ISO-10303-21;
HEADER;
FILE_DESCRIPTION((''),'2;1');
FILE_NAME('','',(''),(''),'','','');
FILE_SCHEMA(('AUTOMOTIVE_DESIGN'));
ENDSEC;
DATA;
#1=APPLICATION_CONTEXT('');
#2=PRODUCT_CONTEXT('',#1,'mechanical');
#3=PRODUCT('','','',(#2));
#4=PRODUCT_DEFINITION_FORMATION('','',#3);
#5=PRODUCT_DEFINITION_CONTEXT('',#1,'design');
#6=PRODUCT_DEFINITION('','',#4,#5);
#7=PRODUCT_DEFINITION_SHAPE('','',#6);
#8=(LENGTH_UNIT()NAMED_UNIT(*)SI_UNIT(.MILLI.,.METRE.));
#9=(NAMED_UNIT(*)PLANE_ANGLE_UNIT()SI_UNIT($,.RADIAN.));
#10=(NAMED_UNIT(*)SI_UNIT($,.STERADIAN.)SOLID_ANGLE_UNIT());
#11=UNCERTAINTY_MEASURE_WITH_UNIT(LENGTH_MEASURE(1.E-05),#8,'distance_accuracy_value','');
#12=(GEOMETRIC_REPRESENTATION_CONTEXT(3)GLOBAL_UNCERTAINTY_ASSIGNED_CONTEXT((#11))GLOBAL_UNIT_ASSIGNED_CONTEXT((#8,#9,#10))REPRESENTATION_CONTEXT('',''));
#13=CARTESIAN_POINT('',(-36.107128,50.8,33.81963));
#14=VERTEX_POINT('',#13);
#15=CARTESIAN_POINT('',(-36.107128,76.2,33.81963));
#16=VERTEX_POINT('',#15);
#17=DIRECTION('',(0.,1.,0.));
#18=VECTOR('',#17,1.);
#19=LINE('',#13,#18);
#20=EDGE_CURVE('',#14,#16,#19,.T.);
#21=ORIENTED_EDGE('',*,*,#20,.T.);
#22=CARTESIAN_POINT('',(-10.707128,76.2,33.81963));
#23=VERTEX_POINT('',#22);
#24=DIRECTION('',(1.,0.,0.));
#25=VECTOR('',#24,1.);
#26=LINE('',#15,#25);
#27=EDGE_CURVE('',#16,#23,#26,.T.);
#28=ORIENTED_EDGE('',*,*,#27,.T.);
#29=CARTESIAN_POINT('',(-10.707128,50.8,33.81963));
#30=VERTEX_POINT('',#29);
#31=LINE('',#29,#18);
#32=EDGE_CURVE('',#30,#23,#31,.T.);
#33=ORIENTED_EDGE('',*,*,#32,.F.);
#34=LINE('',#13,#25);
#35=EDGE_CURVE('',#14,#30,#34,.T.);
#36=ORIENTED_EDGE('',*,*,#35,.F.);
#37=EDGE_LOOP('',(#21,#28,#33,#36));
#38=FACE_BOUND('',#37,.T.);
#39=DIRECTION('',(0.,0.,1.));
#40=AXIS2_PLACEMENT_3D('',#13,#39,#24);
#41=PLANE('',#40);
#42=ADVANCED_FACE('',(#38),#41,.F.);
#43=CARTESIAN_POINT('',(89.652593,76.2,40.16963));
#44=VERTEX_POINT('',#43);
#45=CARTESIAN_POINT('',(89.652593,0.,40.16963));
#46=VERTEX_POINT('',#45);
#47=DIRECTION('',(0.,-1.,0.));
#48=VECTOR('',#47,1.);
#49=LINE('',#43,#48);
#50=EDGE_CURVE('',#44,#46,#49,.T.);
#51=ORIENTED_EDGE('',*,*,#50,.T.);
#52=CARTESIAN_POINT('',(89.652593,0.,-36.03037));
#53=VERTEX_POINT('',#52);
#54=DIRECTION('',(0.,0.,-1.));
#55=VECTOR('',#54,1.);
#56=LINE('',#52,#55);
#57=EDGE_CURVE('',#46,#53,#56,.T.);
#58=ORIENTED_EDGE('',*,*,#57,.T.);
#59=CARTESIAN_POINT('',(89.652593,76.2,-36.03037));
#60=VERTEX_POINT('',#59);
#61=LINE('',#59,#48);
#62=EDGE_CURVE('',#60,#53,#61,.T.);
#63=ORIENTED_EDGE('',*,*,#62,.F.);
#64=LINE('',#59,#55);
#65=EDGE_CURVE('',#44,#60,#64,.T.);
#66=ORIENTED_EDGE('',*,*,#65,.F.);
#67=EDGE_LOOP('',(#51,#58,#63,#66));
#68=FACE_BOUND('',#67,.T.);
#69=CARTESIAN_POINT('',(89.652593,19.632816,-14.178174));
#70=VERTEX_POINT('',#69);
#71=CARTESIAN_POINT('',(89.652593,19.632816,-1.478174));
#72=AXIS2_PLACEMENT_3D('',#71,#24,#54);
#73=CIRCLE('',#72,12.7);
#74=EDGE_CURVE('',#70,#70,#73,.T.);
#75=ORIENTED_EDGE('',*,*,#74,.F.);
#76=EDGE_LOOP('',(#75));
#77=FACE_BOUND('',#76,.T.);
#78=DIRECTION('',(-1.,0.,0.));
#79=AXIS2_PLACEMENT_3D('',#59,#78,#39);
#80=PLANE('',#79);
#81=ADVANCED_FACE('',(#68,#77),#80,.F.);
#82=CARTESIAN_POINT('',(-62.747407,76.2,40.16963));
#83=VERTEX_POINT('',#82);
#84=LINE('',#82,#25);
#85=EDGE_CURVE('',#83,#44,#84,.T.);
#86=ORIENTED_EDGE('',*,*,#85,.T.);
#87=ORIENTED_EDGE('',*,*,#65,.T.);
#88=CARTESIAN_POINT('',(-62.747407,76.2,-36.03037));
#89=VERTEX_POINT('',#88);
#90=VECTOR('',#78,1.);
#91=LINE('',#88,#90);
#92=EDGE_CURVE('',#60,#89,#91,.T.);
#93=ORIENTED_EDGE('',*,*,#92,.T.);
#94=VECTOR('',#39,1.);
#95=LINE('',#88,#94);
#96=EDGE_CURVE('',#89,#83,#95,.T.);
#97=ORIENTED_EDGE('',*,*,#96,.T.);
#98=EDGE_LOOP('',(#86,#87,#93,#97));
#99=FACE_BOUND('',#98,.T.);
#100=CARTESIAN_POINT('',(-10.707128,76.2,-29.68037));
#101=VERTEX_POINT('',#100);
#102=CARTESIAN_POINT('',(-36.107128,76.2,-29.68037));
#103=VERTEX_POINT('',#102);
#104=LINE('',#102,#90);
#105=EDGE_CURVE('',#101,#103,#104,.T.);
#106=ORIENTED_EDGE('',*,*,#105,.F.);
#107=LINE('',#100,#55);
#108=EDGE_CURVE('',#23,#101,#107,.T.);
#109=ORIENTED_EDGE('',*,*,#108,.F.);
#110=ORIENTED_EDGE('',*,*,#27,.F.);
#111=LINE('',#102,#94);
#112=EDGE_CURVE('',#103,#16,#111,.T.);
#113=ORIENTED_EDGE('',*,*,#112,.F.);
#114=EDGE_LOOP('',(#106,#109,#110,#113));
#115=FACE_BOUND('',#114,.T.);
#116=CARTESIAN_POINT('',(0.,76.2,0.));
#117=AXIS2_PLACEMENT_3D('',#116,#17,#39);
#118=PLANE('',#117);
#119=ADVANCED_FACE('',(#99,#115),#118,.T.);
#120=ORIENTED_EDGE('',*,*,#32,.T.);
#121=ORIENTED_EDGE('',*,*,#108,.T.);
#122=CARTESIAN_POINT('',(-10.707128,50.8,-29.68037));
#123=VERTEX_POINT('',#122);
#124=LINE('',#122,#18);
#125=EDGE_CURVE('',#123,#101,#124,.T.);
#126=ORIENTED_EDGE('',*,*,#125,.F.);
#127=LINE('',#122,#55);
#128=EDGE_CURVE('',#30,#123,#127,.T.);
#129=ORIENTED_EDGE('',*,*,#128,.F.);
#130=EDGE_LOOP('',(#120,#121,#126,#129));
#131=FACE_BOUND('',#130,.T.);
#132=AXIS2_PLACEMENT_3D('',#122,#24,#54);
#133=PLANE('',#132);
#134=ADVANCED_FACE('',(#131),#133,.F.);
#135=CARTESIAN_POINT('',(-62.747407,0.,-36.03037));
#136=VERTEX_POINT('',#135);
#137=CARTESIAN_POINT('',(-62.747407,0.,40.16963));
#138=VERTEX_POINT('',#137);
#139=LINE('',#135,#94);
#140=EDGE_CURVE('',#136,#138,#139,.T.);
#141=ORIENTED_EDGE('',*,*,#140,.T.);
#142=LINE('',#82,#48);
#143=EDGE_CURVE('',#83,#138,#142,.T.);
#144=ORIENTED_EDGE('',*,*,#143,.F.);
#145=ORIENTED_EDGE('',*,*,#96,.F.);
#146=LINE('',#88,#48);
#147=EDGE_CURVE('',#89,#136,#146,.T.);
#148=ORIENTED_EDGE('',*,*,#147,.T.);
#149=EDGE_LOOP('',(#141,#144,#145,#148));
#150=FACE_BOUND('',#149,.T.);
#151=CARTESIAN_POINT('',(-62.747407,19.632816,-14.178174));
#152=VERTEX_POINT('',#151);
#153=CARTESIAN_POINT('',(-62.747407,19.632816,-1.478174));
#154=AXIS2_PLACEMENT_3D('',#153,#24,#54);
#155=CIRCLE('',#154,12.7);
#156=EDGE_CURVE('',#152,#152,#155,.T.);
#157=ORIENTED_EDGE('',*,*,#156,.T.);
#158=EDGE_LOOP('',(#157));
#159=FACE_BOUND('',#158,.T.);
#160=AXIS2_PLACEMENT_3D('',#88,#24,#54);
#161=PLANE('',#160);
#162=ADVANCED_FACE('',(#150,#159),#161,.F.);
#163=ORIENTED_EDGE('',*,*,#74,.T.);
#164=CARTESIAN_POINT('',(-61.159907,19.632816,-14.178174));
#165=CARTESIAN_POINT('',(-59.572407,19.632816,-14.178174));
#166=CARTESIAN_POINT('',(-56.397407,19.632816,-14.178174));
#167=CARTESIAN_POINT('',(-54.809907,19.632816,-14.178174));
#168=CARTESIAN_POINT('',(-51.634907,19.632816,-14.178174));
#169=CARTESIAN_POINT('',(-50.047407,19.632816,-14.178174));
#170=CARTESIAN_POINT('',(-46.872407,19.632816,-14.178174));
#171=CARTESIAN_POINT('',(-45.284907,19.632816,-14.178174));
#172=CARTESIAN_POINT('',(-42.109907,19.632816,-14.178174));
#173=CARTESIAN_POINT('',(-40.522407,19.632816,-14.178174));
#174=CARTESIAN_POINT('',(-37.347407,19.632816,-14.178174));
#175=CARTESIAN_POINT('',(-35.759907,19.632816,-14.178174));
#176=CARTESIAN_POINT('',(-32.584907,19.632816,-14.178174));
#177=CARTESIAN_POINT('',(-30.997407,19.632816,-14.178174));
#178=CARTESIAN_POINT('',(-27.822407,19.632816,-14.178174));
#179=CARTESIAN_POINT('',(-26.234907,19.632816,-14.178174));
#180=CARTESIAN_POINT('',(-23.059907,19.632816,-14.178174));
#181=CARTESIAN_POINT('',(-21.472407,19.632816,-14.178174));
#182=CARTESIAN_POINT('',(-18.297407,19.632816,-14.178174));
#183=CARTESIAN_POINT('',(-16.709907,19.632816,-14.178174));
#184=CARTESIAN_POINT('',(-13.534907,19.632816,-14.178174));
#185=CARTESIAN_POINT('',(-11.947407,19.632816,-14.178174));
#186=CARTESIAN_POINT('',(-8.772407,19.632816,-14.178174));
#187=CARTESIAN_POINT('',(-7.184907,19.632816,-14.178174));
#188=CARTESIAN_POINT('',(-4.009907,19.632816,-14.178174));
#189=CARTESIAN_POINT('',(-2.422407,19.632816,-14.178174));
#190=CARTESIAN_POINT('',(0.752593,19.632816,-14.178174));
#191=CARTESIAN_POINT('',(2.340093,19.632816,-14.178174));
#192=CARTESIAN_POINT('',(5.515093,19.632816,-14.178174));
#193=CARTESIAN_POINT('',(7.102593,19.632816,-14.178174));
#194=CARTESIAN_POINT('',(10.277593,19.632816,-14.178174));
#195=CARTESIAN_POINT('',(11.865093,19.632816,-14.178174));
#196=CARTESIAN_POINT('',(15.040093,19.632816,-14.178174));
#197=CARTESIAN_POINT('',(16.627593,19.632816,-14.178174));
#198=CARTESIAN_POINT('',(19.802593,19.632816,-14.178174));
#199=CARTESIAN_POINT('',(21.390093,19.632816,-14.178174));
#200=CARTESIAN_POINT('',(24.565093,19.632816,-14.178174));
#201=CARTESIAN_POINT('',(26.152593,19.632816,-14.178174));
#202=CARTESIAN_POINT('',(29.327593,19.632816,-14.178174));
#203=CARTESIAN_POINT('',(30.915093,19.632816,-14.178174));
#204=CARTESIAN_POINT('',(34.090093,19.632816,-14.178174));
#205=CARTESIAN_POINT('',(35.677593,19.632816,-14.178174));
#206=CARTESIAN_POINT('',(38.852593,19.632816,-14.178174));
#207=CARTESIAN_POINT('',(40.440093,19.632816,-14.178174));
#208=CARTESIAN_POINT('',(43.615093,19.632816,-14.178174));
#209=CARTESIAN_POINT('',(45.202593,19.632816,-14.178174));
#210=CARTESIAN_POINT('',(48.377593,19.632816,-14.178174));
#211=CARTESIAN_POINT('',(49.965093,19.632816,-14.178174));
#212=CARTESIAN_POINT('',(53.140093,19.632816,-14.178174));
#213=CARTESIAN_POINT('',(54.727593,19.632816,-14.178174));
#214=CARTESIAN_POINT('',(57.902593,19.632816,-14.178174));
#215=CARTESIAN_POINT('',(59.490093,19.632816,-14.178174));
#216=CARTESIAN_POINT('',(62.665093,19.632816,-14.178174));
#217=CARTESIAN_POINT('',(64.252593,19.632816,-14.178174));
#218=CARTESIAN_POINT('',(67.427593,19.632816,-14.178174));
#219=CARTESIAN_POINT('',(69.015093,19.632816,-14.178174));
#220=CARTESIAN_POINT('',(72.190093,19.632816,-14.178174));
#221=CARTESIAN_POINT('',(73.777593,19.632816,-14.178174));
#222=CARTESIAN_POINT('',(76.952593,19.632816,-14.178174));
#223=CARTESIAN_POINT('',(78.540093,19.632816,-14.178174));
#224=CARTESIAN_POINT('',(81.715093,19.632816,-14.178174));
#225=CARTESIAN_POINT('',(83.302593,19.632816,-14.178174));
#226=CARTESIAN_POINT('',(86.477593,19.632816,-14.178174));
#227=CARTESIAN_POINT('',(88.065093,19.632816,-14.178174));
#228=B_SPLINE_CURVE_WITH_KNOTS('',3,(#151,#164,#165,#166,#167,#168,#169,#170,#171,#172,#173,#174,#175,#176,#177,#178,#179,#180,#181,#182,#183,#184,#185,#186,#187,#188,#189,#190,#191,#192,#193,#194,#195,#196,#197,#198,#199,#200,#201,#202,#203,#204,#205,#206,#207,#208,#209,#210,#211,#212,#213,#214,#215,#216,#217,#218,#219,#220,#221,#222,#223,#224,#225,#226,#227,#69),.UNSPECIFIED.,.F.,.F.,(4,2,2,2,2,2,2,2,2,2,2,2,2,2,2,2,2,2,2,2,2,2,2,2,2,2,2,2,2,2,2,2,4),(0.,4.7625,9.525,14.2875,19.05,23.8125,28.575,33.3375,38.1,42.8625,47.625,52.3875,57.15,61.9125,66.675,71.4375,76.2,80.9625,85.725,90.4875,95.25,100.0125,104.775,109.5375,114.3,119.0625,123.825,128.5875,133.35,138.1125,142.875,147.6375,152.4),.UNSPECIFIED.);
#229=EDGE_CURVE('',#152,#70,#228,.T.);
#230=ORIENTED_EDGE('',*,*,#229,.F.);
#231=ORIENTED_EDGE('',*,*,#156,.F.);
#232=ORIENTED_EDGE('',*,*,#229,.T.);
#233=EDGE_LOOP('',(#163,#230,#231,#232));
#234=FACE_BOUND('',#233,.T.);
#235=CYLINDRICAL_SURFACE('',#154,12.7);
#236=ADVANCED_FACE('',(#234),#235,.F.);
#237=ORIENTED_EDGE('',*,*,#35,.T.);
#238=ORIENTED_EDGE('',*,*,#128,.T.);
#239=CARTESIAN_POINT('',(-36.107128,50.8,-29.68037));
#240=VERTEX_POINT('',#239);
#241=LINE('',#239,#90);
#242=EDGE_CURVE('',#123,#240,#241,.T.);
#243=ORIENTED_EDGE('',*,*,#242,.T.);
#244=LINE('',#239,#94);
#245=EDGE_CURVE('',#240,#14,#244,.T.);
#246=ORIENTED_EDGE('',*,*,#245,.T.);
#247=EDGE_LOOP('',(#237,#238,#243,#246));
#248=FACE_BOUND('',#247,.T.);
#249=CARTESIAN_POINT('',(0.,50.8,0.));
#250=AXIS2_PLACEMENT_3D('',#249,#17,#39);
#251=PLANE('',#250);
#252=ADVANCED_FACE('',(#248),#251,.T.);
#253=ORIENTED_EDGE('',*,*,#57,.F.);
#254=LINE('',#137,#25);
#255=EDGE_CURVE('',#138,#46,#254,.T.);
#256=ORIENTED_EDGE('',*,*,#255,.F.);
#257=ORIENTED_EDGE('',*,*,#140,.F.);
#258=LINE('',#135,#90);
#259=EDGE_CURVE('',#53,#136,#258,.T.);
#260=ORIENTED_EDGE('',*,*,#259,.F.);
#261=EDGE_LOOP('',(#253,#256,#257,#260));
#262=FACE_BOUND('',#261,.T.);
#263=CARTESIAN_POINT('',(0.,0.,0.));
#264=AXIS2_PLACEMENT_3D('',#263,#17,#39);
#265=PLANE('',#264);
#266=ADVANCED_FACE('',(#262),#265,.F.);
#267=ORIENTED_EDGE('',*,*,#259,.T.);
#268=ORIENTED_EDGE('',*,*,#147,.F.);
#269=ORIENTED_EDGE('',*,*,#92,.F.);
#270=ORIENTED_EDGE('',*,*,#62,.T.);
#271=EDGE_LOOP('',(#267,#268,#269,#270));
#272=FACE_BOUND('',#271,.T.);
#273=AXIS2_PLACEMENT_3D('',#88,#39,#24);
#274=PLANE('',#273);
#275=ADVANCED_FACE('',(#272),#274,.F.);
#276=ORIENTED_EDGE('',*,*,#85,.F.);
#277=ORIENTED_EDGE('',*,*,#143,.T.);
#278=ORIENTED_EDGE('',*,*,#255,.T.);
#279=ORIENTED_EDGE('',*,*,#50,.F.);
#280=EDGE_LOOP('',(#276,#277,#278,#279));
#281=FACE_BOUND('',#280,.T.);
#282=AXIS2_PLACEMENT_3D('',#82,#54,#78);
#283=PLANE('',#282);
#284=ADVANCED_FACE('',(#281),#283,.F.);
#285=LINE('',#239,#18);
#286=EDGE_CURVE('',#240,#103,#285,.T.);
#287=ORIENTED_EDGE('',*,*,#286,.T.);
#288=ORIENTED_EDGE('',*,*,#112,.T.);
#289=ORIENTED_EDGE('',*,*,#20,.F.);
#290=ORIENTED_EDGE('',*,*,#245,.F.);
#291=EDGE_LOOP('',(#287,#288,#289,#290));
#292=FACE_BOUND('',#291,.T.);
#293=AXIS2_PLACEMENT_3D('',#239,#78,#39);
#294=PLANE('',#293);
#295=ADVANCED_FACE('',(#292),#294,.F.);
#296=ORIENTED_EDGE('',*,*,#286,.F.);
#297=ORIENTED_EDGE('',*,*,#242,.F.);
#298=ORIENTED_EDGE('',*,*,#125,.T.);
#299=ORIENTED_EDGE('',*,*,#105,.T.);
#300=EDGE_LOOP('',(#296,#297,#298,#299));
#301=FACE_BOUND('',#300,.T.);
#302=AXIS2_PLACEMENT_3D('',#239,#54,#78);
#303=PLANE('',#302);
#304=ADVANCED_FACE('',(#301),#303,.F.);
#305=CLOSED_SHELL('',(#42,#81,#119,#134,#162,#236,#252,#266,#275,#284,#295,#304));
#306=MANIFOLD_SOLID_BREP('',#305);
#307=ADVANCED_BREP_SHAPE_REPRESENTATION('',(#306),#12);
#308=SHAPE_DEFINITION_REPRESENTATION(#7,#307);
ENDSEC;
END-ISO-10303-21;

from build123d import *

# Parameters (mm, degrees)
SKETCH1_W           = 152.4
SKETCH1_H           = 76.2
BOSS_EXTRUDE1_DEPTH = 76.2
SKETCH2_R           = 12.7
CUT_EXTRUDE1_DEPTH  = 176.059416041
SKETCH3_W           = 25.4
SKETCH3_H           = 63.5
CUT_EXTRUDE2_DEPTH  = 25.4


with BuildPart() as part:
    # Sketch1 → Boss-Extrude1 (new body)
    with BuildSketch(Plane(origin=(0, 0, 0), x_dir=(1, 0, 0), z_dir=(0, 1, 0))):
        with Locations((13.452592593, -2.06962963)):
            Rectangle(SKETCH1_W, SKETCH1_H)
    extrude(amount=BOSS_EXTRUDE1_DEPTH)

    # Sketch2 → Cut-Extrude1 (cut, through all)
    with BuildSketch(Plane(origin=(89.652592593, 0, 0), x_dir=(0, 0, -1), z_dir=(1, 0, 0))):
        with Locations((1.478173536, 19.632815924)):
            Circle(SKETCH2_R)
    extrude(amount=-CUT_EXTRUDE1_DEPTH, mode=Mode.SUBTRACT)

    # Sketch3 → Cut-Extrude2 (cut)
    with BuildSketch(Plane(origin=(0, 76.2, 0), x_dir=(1, 0, 0), z_dir=(0, 1, 0))):
        with Locations((-23.407128425, -2.06962963)):
            Rectangle(SKETCH3_W, SKETCH3_H)
    extrude(amount=-CUT_EXTRUDE2_DEPTH, mode=Mode.SUBTRACT)


solid = part.part
